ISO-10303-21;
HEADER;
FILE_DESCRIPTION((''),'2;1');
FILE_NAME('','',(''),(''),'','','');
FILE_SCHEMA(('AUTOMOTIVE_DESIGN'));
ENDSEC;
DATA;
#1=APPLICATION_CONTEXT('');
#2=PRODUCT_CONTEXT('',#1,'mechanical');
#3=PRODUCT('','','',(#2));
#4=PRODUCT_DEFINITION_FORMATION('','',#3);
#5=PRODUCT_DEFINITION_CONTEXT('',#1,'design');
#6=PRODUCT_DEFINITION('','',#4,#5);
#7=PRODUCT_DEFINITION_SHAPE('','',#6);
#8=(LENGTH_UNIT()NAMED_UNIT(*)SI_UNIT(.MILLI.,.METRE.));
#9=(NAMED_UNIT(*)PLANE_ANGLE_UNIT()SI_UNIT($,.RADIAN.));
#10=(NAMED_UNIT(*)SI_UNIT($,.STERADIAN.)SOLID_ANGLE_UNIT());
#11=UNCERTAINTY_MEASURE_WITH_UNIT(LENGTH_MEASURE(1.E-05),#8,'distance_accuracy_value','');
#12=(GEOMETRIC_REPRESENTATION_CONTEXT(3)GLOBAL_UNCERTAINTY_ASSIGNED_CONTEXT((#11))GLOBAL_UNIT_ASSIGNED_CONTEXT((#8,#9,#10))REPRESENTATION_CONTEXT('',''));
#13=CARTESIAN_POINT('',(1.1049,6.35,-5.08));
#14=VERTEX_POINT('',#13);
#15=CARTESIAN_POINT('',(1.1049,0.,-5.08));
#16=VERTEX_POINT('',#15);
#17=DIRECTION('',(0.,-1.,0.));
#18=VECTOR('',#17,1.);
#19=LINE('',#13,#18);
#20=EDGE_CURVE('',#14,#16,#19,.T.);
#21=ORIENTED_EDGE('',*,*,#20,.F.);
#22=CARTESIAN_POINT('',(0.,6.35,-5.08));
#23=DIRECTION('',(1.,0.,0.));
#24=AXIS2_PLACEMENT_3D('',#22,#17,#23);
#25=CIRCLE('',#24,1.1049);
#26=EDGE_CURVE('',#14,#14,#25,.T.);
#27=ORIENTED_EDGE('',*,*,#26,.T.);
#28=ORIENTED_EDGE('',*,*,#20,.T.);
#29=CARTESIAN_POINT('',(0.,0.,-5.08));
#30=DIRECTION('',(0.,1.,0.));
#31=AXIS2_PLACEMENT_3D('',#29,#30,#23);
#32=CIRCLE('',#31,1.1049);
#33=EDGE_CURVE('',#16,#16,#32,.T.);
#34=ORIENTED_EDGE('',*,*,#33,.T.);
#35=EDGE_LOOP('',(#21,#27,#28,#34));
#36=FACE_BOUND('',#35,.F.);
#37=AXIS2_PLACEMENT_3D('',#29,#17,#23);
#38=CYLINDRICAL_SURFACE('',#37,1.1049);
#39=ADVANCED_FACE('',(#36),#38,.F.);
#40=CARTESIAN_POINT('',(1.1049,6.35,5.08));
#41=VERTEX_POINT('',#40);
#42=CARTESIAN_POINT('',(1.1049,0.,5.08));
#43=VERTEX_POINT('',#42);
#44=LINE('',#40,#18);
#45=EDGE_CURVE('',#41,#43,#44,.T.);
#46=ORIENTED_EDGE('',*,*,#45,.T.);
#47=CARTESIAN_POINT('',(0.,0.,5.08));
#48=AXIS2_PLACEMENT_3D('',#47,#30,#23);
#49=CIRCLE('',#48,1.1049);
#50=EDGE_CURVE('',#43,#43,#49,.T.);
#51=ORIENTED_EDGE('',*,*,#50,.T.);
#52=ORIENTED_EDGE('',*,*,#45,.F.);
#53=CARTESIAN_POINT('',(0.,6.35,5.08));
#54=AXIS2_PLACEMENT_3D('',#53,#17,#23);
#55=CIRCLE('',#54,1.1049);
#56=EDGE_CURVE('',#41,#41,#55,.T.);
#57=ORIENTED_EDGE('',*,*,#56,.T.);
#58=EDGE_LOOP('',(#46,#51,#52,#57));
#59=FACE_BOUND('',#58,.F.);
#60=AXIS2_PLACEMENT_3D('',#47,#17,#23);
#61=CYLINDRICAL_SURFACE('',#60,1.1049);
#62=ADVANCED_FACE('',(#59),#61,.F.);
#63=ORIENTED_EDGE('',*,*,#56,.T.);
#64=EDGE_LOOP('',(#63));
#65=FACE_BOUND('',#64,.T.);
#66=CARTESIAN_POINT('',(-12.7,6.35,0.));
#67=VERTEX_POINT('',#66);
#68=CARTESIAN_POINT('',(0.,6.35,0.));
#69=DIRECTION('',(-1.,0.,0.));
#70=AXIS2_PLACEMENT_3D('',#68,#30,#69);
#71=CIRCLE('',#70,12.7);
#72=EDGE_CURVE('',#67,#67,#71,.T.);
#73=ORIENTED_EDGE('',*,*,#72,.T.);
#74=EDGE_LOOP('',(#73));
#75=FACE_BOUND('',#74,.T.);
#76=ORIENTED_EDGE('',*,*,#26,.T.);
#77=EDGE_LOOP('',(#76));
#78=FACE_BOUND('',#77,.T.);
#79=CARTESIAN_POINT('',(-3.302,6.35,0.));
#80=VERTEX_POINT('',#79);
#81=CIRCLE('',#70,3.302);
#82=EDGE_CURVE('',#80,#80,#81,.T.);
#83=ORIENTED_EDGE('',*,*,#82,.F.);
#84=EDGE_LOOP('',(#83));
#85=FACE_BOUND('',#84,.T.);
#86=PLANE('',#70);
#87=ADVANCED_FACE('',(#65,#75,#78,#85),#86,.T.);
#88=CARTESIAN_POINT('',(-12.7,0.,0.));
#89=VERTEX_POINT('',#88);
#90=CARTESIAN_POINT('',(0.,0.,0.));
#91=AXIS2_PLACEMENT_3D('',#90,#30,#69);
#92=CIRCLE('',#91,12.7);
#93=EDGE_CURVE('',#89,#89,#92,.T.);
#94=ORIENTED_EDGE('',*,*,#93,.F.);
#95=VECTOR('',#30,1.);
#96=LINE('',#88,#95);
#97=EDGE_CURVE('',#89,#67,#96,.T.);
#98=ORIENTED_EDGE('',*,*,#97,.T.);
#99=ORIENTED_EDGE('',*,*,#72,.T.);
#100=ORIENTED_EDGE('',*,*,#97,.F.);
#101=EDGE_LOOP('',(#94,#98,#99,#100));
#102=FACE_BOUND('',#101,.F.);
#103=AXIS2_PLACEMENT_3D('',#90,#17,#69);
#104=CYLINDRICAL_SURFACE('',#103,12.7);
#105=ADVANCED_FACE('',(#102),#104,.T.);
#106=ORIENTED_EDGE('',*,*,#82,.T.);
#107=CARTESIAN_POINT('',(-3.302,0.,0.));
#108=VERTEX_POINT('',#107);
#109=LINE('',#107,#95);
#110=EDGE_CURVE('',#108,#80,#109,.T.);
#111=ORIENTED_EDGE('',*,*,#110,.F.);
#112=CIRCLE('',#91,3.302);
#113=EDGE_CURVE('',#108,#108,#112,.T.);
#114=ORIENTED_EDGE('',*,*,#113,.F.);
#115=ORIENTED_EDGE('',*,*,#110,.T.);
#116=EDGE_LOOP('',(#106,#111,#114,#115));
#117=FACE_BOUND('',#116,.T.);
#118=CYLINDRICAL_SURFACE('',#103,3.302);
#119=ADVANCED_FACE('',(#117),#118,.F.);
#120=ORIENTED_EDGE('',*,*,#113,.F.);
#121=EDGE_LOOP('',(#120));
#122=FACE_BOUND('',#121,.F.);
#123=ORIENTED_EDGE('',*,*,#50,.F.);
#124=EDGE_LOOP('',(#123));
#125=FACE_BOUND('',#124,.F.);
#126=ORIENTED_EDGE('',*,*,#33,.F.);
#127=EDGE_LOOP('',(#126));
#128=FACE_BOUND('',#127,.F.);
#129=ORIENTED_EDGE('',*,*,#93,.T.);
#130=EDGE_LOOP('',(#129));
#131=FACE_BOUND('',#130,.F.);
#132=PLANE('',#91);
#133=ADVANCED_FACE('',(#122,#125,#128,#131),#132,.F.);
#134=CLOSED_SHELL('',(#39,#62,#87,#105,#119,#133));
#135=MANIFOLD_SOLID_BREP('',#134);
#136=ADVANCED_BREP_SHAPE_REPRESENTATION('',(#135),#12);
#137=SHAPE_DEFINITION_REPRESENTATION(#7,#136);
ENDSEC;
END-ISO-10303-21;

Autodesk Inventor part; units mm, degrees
ref_plane "YZ Plane" through (0, 0, 0) normal (1, 0, 0) x (0, 1, 0)
ref_plane "XZ Plane" through (0, 0, 0) normal (0, 1, 0) x (-1, 0, 0)
ref_plane "XY Plane" through (0, 0, 0) normal (0, 0, 1) x (1, 0, 0)
sketch "Sketch1" plane through (0, 0, 0) normal (0, 1, 0) x (-1, 0, 0)
  circle A0 centre (0, 0) radius 12.7
  circle A1 centre (0, 0) radius 3.302
  dimension "d0" = 25.4
  dimension "d1" = 6.604
extrude "Extrusion1" add sketch "Sketch1" along normal blind 6.35
sketch "Sketch2" plane through (0, 6.35, 0) normal (0, 1, 0) x (1, 0, 0)
  line L0 (0, 0) -> (0, -5.08)
  line L1 (0, -5.08) -> (0, 0)
  line L2 (0, 0) -> (0, 5.08)
  circle A0 centre (0, -5.08) radius 1.1049
  circle A1 centre (0, 5.08) radius 1.1049
  dimension "d4" = 5.08
  dimension "d5" = 5.08
  dimension "d6" = 2.2098
  dimension "d7" = 2.2098
extrude "Extrusion2" cut sketch "Sketch2" against normal blind 4.445
sketch "Sketch3" plane through (0, 0, 0) normal (0, -1, 0) x (1, 0, 0)
  line L0 (0, 0) -> (0, 5.08)
  line L1 (0, 5.08) -> (0, -5.08)
  circle A0 centre (0, 5.08) radius 1.1049
  circle A1 centre (0, -5.08) radius 1.1049
  dimension "d10" = 5.08
  dimension "d11" = 10.16
  dimension "d14" = 2.2098
  dimension "d15" = 2.2098
extrude "Extrusion3" cut sketch "Sketch3" against normal blind 1.905
properties part number "PolarisPost_HeightAdjustment_0p25in_smallholesfrom0p79to0p81"
